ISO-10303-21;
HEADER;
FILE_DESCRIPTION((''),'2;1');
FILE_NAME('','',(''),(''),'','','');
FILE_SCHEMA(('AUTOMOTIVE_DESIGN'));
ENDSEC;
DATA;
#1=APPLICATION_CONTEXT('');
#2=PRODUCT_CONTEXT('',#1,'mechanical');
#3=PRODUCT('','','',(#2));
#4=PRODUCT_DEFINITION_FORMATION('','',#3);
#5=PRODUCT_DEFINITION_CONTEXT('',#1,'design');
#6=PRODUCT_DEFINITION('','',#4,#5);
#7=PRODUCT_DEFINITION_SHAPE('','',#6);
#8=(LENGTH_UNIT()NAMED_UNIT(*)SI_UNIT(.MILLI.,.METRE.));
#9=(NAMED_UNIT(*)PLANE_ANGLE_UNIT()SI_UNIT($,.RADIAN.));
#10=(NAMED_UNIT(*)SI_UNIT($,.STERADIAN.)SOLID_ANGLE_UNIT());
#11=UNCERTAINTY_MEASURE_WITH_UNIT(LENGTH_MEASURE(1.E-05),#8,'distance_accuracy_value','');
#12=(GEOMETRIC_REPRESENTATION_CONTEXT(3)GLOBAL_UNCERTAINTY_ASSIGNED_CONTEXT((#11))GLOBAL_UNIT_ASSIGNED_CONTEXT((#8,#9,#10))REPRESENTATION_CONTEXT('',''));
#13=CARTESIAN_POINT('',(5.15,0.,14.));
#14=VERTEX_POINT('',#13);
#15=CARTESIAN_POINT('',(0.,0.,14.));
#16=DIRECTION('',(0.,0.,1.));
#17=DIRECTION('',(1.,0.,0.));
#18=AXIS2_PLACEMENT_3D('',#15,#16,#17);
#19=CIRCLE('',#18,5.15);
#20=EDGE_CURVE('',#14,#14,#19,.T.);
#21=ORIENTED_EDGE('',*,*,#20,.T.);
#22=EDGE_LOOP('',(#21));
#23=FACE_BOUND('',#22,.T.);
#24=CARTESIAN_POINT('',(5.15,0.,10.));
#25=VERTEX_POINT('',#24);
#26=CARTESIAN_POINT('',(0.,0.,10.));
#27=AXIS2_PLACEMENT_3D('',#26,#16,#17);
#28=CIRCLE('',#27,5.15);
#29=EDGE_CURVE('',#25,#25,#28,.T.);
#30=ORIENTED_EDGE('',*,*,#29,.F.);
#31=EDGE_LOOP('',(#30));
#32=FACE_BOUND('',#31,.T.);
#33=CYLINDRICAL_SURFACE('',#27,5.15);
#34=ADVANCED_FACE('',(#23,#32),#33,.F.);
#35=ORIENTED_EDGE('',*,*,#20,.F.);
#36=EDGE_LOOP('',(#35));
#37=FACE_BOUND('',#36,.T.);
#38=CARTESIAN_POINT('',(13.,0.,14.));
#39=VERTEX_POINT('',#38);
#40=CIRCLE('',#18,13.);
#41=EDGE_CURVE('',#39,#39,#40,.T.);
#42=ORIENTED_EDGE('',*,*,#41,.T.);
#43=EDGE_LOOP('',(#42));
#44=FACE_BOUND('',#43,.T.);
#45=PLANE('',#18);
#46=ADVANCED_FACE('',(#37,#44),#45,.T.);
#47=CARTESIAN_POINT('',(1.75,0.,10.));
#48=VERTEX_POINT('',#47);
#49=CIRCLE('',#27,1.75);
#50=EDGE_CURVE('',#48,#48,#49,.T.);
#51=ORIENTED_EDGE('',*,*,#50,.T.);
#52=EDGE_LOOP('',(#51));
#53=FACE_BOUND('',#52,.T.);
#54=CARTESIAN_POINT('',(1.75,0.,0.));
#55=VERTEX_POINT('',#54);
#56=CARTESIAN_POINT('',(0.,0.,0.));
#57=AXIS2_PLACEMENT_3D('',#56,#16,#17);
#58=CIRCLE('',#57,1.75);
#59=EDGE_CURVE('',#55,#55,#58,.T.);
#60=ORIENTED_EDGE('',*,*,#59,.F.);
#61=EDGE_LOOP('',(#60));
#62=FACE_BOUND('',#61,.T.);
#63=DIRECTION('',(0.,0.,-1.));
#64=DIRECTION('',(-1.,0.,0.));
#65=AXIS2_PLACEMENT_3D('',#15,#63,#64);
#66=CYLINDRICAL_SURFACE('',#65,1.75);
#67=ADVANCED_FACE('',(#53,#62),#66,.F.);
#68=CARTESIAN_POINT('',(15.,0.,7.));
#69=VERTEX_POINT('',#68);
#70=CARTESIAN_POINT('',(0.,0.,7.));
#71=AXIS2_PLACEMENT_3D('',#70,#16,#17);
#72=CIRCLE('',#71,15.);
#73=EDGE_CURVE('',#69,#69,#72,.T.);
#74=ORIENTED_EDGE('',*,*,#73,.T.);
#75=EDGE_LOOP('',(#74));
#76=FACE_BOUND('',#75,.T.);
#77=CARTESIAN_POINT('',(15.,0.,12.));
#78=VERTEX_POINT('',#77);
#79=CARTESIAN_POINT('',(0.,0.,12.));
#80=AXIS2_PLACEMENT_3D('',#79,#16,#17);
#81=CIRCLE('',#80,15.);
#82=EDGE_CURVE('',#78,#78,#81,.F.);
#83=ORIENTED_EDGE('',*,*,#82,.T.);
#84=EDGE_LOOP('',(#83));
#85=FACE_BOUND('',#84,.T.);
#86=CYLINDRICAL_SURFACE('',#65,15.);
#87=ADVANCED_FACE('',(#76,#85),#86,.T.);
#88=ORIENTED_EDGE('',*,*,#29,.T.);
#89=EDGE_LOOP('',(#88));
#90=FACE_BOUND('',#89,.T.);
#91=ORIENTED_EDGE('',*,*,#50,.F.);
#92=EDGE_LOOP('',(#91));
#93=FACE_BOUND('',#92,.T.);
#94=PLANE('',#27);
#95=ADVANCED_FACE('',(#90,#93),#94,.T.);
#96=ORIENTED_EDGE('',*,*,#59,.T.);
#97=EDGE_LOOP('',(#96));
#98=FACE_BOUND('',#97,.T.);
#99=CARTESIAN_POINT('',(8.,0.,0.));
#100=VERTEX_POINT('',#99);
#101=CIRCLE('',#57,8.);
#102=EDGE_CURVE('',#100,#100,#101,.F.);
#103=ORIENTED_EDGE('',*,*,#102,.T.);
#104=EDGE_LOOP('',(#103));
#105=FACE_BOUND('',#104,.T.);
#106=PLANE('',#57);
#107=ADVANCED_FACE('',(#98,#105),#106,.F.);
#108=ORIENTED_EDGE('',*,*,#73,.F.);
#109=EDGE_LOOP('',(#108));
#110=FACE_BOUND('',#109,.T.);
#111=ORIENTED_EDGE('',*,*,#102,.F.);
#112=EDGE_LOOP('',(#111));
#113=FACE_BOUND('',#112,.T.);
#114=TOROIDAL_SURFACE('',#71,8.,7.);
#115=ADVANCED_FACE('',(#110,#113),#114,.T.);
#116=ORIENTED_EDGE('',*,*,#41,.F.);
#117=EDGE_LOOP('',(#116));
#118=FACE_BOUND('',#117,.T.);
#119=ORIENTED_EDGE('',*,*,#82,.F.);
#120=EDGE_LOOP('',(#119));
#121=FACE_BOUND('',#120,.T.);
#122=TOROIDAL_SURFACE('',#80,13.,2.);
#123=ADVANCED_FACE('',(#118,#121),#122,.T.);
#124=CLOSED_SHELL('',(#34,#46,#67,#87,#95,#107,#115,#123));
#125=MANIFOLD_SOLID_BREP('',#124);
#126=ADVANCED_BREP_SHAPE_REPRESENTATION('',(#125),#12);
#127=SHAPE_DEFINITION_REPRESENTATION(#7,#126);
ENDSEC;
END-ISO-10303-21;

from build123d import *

# Parameters (mm, degrees)
SKETCH_1_R          = 15
SKETCH_1_R_2        = 1.75
EXTRUDE_1_DEPTH     = 14
SKETCH_2_R          = 5.15
CUT_EXTRUDE_1_DEPTH = 4
FILLET_1_R          = 2
FILLET_2_R          = 7


with BuildPart() as part:
    # Эскиз1 → Бобышка-Вытянуть1 (new body)
    with BuildSketch(Plane.XY):
        Circle(SKETCH_1_R)
        Circle(SKETCH_1_R_2, mode=Mode.SUBTRACT)
    extrude(amount=EXTRUDE_1_DEPTH)

    # Эскиз2 → Вырез-Вытянуть1 (cut)
    with BuildSketch(Plane.XY.offset(14)):
        Circle(SKETCH_2_R)
    extrude(amount=-CUT_EXTRUDE_1_DEPTH, mode=Mode.SUBTRACT)

    # Скругление1
    fillet_1_edges = [part.edges().sort_by_distance(p)[0] for p in [
        (-15, 0, 14),
    ]]
    fillet(fillet_1_edges, radius=FILLET_1_R)

    # Скругление2
    fillet_2_edges = [part.edges().sort_by_distance(p)[0] for p in [
        (-15, 0, 0),
    ]]
    fillet(fillet_2_edges, radius=FILLET_2_R)


solid = part.part
